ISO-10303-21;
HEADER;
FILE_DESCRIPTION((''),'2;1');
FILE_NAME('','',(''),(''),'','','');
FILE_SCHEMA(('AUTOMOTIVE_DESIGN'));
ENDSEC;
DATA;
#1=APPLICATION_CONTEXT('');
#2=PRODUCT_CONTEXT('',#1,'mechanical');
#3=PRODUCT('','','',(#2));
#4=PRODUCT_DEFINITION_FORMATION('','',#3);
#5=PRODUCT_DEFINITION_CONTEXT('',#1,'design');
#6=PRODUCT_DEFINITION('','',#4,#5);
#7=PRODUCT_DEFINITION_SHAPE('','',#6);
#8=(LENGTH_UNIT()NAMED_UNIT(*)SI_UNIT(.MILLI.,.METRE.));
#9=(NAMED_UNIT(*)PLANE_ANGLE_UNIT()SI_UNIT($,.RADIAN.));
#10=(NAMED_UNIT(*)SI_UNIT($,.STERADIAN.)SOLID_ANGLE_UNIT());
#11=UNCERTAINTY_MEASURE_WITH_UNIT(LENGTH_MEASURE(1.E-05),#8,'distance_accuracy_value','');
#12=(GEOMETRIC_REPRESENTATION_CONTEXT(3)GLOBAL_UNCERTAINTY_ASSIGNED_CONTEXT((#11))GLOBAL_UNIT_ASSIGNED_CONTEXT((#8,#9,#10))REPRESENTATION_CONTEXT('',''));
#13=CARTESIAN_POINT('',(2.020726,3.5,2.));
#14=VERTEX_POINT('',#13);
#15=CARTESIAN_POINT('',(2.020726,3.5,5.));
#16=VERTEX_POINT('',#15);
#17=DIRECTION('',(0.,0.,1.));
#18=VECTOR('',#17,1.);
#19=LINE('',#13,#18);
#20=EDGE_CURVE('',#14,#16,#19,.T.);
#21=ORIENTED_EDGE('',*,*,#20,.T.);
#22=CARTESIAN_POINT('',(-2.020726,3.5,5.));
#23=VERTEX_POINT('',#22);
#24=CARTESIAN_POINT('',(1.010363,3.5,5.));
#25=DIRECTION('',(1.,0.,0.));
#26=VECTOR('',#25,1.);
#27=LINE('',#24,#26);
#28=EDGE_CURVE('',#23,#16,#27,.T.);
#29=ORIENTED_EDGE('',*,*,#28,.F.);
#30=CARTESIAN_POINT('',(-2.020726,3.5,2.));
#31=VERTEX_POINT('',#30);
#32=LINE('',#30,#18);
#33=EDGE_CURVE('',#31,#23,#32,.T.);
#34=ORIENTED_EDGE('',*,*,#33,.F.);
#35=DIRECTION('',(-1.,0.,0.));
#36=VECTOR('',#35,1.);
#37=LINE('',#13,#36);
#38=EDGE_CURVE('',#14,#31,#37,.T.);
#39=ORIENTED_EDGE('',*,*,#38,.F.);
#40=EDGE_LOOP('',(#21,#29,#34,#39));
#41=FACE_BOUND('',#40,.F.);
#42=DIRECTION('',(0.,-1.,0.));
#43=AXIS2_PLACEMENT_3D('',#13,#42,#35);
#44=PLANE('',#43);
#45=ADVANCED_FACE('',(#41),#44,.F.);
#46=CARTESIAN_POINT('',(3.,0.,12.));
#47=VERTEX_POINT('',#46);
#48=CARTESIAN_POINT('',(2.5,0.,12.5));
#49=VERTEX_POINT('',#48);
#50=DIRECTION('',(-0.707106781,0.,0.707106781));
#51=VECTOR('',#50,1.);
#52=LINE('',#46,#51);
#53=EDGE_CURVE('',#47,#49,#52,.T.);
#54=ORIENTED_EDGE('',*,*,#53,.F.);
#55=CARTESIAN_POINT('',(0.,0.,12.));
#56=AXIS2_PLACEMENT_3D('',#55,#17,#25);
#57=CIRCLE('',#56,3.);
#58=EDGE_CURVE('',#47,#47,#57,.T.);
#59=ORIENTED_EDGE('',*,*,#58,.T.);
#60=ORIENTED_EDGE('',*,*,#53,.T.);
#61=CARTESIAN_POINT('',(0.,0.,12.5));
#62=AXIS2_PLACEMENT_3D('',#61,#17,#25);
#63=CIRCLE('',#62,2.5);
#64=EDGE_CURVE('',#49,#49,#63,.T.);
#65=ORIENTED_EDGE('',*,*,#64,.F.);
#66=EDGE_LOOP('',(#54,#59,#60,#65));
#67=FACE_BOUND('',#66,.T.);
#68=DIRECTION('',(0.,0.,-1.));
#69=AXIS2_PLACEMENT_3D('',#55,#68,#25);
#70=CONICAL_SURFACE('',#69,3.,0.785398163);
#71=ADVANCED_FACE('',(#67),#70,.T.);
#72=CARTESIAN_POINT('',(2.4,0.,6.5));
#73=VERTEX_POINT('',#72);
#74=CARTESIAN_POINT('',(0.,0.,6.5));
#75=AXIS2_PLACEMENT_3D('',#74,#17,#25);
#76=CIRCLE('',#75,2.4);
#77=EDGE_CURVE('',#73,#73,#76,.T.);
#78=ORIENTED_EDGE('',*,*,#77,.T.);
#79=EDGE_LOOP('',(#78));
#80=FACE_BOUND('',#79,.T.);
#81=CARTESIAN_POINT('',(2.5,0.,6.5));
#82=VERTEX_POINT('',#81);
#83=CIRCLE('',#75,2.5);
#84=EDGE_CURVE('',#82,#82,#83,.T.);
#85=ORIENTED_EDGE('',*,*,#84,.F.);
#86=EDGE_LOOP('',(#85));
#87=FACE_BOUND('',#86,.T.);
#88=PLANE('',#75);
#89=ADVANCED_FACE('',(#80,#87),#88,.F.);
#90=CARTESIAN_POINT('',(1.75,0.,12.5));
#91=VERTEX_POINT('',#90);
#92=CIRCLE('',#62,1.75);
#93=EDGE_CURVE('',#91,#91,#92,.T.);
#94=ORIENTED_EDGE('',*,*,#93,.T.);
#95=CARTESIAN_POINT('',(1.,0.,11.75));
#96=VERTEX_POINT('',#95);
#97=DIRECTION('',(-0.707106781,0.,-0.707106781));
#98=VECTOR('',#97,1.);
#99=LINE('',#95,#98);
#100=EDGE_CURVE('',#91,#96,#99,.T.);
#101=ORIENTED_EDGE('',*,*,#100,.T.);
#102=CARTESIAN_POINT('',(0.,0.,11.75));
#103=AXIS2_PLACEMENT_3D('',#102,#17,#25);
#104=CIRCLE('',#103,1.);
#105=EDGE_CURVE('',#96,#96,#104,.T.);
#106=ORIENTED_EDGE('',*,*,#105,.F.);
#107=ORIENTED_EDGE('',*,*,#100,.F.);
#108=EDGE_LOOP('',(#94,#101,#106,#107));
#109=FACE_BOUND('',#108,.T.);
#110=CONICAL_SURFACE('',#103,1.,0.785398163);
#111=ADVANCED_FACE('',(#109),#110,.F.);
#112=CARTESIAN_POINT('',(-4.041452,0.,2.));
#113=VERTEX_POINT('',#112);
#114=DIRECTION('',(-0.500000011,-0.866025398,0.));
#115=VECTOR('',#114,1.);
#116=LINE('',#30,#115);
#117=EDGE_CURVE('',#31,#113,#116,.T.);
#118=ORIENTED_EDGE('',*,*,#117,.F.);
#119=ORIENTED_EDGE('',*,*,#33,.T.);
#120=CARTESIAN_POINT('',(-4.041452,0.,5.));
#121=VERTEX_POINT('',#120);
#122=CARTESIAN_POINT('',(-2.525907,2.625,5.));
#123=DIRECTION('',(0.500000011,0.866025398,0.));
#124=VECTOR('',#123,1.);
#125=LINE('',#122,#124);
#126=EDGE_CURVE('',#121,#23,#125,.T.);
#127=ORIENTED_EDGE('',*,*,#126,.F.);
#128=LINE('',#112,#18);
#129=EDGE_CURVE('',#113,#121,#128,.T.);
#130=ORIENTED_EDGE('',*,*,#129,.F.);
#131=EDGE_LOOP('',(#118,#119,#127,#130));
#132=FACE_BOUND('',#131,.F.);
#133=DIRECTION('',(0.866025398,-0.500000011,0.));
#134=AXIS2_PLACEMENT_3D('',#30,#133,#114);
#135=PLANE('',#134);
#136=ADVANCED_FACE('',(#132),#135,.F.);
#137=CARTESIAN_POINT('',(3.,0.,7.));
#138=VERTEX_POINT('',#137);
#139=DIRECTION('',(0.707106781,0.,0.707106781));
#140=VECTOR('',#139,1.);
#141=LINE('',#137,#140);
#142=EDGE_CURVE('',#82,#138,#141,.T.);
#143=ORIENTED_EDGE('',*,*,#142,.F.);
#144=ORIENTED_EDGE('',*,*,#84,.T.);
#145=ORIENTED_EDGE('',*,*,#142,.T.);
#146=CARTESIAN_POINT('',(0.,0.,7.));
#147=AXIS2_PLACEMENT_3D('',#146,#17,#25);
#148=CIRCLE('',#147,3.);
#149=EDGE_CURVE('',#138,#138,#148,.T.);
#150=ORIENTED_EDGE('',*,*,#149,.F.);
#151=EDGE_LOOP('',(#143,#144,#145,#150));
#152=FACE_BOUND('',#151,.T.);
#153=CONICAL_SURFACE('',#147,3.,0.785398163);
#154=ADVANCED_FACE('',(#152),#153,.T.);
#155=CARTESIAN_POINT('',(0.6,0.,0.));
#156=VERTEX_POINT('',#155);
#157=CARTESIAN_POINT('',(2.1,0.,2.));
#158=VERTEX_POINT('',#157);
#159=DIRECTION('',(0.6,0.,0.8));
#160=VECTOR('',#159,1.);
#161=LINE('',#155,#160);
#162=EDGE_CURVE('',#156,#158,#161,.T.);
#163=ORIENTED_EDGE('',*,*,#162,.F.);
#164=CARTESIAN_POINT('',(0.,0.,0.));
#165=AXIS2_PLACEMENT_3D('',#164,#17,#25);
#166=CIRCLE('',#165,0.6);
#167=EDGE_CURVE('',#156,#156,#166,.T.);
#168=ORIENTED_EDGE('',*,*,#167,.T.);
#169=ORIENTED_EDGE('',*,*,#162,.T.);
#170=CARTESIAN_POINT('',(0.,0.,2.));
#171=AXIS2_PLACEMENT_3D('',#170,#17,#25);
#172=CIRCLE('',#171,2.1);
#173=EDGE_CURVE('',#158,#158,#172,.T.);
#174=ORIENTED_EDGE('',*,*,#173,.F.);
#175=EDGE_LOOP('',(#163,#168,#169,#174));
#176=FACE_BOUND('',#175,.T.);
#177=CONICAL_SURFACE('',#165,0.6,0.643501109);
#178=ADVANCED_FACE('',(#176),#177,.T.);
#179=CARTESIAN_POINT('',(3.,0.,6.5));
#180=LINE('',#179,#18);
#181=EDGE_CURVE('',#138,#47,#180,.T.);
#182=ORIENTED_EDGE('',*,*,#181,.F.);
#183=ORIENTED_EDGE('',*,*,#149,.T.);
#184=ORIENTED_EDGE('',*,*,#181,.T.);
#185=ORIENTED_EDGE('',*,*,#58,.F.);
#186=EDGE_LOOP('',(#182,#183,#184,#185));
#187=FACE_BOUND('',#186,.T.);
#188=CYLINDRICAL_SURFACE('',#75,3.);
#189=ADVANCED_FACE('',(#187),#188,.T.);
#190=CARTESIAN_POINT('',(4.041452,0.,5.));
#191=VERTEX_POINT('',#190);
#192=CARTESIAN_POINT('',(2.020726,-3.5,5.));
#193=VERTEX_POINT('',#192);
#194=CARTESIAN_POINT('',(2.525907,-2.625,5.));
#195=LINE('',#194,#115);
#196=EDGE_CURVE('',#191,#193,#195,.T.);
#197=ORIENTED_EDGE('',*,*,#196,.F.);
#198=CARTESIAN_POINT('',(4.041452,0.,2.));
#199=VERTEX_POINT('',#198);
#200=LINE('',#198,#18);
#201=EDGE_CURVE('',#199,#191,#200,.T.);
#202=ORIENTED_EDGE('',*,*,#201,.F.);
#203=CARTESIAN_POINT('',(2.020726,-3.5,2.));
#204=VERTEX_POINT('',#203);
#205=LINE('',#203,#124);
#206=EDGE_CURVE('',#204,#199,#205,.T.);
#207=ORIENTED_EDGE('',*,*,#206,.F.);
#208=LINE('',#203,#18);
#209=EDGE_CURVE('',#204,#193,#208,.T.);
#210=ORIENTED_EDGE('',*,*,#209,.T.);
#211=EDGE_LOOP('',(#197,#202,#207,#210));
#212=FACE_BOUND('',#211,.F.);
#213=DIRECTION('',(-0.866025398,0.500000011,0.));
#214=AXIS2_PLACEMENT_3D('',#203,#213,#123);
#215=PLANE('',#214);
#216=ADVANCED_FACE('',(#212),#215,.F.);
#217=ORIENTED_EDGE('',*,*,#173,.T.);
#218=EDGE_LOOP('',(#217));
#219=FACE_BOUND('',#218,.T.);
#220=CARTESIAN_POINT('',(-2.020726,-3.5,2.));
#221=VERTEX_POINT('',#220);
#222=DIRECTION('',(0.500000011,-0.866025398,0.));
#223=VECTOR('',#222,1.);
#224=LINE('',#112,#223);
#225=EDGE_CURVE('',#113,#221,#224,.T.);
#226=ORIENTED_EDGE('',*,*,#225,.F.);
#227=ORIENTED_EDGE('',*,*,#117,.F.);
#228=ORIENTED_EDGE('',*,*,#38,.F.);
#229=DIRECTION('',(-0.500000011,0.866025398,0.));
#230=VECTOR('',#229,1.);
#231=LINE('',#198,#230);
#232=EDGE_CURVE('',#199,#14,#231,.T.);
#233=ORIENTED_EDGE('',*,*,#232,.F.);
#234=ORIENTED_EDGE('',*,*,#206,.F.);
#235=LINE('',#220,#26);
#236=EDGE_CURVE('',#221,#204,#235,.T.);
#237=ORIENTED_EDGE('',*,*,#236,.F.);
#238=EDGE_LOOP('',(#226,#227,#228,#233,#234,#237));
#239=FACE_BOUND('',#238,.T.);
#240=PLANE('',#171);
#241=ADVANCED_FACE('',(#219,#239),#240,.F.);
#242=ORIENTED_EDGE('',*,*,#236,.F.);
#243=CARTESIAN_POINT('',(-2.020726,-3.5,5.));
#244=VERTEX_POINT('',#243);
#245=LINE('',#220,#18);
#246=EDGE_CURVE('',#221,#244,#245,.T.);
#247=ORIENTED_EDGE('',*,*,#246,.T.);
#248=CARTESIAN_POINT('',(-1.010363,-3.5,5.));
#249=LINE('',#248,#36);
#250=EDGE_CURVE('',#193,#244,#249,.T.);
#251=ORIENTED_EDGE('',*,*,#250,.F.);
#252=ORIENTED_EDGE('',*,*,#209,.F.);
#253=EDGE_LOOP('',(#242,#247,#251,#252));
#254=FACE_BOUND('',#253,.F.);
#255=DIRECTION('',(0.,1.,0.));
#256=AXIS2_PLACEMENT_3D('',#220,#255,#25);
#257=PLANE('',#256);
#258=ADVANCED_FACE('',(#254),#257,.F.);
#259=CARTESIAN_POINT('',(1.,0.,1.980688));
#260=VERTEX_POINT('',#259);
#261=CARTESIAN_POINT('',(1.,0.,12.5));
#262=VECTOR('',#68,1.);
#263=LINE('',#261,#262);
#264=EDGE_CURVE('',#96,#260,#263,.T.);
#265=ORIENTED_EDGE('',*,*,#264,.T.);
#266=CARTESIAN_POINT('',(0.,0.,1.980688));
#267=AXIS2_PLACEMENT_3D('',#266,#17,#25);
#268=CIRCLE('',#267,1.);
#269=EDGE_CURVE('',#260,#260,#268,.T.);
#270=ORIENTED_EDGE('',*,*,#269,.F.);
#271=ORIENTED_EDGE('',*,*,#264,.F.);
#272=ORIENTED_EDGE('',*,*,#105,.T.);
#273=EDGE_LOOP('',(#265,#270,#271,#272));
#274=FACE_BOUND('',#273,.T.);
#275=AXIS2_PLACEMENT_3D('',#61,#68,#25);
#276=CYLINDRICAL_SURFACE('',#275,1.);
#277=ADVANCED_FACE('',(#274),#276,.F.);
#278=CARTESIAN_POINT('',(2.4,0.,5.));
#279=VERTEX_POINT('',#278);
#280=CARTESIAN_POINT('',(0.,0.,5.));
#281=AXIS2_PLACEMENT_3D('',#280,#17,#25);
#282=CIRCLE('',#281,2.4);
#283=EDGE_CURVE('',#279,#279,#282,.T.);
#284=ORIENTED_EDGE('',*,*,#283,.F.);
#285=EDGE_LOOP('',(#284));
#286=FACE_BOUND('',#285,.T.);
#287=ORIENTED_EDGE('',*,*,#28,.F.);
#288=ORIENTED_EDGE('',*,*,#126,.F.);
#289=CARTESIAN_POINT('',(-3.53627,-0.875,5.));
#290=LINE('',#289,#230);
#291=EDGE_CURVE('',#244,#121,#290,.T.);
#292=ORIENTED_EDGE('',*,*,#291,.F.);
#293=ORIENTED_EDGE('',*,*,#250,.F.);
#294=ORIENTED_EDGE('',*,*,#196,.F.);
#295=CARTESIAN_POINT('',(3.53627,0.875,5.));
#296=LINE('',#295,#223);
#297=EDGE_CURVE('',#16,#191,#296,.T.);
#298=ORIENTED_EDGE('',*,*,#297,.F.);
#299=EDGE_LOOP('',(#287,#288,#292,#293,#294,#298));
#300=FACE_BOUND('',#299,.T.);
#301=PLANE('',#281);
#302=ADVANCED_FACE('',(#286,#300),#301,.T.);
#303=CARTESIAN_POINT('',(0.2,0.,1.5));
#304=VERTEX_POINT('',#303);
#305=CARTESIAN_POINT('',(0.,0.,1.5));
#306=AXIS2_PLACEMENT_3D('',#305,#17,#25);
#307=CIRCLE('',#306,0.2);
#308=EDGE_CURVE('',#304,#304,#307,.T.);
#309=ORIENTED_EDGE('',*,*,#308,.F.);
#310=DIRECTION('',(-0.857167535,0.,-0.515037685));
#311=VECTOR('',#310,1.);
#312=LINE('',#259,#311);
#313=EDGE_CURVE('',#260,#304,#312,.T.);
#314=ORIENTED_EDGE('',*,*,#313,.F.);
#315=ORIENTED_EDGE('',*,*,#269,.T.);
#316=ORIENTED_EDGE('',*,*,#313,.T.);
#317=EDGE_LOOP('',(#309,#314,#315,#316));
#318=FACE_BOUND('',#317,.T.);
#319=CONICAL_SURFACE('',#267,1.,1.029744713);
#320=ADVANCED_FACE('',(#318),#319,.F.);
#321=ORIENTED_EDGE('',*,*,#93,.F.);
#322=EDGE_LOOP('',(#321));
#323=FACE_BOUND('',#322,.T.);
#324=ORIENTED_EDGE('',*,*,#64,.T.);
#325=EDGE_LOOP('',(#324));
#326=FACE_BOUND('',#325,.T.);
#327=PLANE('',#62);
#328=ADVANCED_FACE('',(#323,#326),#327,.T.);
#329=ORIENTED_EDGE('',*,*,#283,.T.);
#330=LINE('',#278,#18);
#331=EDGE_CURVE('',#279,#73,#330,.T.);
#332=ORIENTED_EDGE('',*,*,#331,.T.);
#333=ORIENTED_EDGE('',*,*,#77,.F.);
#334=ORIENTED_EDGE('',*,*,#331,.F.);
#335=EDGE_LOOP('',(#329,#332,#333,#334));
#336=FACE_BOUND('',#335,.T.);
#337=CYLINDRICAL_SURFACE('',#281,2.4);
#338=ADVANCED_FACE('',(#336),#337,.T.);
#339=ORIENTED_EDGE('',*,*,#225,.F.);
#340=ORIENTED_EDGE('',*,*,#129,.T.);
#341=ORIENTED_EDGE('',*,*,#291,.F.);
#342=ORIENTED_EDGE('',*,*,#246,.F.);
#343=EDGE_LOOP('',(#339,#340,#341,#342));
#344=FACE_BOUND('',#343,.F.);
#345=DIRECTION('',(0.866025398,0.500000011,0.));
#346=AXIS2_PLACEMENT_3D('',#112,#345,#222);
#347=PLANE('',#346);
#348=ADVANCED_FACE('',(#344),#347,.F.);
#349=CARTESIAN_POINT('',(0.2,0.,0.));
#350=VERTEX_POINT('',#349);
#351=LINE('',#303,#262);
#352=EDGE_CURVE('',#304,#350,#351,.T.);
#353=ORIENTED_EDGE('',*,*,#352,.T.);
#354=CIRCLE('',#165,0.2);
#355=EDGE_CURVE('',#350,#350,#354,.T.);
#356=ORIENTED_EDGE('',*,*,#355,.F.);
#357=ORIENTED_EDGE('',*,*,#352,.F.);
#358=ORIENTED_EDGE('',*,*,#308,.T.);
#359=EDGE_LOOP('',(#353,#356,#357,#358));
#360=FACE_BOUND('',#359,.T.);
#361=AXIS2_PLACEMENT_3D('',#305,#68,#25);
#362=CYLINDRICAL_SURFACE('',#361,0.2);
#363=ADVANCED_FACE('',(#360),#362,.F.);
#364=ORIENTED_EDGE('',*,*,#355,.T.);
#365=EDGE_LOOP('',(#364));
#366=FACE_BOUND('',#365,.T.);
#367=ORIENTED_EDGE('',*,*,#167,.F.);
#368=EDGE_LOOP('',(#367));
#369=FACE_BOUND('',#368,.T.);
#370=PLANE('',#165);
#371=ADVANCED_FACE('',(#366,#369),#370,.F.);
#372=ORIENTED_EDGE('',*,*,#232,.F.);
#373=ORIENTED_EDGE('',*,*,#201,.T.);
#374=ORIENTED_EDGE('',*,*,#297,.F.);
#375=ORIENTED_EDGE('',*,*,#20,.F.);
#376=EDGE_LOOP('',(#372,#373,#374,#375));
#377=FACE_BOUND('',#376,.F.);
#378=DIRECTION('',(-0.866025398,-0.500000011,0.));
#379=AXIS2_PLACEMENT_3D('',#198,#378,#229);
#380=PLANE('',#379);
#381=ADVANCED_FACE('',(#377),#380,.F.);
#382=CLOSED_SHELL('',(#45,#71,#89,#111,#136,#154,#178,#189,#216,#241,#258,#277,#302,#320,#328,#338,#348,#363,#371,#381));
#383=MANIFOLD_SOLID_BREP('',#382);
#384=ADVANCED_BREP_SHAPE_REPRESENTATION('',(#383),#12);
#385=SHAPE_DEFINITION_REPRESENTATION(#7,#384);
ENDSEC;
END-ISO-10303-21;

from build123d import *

# Parameters (mm, degrees)
F2_SIZE  = 0.5
F3_SIZE  = 0.75
F4_R     = 5
F5_DEPTH = 10.501


with BuildPart() as f1:
    # F0 (on Front) → F1 (revolve)
    with BuildSketch(Plane.XZ):
        Polygon((0.2, 1.5), (0.2, 0), (0.6, 0), (2.1, 2), (4.2, 2), (4.2, 5), (2.4, 5), (2.4, 6.5), (3, 6.5), (3, 12.5), (1, 12.5), (1, 1.980688), align=None)
    revolve(axis=Axis((0, 0, 6.25), (0, 0, 1)))

    # F2
    f2_edges = [f1.edges().sort_by_distance(p)[0] for p in [
        (-3, 0, 6.5),
        (-3, 0, 12.5),
    ]]
    chamfer(f2_edges, length=F2_SIZE)

    # F3
    f3_edges = [f1.edges().sort_by_distance(p)[0] for p in [
        (-1, 0, 12.5),
    ]]
    chamfer(f3_edges, length=F3_SIZE)

    # F4 (on face) → F5 (cut, through all)
    with BuildSketch(Plane(origin=(0, 0, 2), x_dir=(1, 0, 0), z_dir=(0, 0, -1))):
        Circle(F4_R)
        Polygon((2.020726, -3.5), (-2.020726, -3.5), (-4.041452, 0), (-2.020726, 3.5), (2.020726, 3.5), (4.041452, 0), align=None, mode=Mode.SUBTRACT)
    extrude(amount=-F5_DEPTH, mode=Mode.SUBTRACT)


solid = f1.part
